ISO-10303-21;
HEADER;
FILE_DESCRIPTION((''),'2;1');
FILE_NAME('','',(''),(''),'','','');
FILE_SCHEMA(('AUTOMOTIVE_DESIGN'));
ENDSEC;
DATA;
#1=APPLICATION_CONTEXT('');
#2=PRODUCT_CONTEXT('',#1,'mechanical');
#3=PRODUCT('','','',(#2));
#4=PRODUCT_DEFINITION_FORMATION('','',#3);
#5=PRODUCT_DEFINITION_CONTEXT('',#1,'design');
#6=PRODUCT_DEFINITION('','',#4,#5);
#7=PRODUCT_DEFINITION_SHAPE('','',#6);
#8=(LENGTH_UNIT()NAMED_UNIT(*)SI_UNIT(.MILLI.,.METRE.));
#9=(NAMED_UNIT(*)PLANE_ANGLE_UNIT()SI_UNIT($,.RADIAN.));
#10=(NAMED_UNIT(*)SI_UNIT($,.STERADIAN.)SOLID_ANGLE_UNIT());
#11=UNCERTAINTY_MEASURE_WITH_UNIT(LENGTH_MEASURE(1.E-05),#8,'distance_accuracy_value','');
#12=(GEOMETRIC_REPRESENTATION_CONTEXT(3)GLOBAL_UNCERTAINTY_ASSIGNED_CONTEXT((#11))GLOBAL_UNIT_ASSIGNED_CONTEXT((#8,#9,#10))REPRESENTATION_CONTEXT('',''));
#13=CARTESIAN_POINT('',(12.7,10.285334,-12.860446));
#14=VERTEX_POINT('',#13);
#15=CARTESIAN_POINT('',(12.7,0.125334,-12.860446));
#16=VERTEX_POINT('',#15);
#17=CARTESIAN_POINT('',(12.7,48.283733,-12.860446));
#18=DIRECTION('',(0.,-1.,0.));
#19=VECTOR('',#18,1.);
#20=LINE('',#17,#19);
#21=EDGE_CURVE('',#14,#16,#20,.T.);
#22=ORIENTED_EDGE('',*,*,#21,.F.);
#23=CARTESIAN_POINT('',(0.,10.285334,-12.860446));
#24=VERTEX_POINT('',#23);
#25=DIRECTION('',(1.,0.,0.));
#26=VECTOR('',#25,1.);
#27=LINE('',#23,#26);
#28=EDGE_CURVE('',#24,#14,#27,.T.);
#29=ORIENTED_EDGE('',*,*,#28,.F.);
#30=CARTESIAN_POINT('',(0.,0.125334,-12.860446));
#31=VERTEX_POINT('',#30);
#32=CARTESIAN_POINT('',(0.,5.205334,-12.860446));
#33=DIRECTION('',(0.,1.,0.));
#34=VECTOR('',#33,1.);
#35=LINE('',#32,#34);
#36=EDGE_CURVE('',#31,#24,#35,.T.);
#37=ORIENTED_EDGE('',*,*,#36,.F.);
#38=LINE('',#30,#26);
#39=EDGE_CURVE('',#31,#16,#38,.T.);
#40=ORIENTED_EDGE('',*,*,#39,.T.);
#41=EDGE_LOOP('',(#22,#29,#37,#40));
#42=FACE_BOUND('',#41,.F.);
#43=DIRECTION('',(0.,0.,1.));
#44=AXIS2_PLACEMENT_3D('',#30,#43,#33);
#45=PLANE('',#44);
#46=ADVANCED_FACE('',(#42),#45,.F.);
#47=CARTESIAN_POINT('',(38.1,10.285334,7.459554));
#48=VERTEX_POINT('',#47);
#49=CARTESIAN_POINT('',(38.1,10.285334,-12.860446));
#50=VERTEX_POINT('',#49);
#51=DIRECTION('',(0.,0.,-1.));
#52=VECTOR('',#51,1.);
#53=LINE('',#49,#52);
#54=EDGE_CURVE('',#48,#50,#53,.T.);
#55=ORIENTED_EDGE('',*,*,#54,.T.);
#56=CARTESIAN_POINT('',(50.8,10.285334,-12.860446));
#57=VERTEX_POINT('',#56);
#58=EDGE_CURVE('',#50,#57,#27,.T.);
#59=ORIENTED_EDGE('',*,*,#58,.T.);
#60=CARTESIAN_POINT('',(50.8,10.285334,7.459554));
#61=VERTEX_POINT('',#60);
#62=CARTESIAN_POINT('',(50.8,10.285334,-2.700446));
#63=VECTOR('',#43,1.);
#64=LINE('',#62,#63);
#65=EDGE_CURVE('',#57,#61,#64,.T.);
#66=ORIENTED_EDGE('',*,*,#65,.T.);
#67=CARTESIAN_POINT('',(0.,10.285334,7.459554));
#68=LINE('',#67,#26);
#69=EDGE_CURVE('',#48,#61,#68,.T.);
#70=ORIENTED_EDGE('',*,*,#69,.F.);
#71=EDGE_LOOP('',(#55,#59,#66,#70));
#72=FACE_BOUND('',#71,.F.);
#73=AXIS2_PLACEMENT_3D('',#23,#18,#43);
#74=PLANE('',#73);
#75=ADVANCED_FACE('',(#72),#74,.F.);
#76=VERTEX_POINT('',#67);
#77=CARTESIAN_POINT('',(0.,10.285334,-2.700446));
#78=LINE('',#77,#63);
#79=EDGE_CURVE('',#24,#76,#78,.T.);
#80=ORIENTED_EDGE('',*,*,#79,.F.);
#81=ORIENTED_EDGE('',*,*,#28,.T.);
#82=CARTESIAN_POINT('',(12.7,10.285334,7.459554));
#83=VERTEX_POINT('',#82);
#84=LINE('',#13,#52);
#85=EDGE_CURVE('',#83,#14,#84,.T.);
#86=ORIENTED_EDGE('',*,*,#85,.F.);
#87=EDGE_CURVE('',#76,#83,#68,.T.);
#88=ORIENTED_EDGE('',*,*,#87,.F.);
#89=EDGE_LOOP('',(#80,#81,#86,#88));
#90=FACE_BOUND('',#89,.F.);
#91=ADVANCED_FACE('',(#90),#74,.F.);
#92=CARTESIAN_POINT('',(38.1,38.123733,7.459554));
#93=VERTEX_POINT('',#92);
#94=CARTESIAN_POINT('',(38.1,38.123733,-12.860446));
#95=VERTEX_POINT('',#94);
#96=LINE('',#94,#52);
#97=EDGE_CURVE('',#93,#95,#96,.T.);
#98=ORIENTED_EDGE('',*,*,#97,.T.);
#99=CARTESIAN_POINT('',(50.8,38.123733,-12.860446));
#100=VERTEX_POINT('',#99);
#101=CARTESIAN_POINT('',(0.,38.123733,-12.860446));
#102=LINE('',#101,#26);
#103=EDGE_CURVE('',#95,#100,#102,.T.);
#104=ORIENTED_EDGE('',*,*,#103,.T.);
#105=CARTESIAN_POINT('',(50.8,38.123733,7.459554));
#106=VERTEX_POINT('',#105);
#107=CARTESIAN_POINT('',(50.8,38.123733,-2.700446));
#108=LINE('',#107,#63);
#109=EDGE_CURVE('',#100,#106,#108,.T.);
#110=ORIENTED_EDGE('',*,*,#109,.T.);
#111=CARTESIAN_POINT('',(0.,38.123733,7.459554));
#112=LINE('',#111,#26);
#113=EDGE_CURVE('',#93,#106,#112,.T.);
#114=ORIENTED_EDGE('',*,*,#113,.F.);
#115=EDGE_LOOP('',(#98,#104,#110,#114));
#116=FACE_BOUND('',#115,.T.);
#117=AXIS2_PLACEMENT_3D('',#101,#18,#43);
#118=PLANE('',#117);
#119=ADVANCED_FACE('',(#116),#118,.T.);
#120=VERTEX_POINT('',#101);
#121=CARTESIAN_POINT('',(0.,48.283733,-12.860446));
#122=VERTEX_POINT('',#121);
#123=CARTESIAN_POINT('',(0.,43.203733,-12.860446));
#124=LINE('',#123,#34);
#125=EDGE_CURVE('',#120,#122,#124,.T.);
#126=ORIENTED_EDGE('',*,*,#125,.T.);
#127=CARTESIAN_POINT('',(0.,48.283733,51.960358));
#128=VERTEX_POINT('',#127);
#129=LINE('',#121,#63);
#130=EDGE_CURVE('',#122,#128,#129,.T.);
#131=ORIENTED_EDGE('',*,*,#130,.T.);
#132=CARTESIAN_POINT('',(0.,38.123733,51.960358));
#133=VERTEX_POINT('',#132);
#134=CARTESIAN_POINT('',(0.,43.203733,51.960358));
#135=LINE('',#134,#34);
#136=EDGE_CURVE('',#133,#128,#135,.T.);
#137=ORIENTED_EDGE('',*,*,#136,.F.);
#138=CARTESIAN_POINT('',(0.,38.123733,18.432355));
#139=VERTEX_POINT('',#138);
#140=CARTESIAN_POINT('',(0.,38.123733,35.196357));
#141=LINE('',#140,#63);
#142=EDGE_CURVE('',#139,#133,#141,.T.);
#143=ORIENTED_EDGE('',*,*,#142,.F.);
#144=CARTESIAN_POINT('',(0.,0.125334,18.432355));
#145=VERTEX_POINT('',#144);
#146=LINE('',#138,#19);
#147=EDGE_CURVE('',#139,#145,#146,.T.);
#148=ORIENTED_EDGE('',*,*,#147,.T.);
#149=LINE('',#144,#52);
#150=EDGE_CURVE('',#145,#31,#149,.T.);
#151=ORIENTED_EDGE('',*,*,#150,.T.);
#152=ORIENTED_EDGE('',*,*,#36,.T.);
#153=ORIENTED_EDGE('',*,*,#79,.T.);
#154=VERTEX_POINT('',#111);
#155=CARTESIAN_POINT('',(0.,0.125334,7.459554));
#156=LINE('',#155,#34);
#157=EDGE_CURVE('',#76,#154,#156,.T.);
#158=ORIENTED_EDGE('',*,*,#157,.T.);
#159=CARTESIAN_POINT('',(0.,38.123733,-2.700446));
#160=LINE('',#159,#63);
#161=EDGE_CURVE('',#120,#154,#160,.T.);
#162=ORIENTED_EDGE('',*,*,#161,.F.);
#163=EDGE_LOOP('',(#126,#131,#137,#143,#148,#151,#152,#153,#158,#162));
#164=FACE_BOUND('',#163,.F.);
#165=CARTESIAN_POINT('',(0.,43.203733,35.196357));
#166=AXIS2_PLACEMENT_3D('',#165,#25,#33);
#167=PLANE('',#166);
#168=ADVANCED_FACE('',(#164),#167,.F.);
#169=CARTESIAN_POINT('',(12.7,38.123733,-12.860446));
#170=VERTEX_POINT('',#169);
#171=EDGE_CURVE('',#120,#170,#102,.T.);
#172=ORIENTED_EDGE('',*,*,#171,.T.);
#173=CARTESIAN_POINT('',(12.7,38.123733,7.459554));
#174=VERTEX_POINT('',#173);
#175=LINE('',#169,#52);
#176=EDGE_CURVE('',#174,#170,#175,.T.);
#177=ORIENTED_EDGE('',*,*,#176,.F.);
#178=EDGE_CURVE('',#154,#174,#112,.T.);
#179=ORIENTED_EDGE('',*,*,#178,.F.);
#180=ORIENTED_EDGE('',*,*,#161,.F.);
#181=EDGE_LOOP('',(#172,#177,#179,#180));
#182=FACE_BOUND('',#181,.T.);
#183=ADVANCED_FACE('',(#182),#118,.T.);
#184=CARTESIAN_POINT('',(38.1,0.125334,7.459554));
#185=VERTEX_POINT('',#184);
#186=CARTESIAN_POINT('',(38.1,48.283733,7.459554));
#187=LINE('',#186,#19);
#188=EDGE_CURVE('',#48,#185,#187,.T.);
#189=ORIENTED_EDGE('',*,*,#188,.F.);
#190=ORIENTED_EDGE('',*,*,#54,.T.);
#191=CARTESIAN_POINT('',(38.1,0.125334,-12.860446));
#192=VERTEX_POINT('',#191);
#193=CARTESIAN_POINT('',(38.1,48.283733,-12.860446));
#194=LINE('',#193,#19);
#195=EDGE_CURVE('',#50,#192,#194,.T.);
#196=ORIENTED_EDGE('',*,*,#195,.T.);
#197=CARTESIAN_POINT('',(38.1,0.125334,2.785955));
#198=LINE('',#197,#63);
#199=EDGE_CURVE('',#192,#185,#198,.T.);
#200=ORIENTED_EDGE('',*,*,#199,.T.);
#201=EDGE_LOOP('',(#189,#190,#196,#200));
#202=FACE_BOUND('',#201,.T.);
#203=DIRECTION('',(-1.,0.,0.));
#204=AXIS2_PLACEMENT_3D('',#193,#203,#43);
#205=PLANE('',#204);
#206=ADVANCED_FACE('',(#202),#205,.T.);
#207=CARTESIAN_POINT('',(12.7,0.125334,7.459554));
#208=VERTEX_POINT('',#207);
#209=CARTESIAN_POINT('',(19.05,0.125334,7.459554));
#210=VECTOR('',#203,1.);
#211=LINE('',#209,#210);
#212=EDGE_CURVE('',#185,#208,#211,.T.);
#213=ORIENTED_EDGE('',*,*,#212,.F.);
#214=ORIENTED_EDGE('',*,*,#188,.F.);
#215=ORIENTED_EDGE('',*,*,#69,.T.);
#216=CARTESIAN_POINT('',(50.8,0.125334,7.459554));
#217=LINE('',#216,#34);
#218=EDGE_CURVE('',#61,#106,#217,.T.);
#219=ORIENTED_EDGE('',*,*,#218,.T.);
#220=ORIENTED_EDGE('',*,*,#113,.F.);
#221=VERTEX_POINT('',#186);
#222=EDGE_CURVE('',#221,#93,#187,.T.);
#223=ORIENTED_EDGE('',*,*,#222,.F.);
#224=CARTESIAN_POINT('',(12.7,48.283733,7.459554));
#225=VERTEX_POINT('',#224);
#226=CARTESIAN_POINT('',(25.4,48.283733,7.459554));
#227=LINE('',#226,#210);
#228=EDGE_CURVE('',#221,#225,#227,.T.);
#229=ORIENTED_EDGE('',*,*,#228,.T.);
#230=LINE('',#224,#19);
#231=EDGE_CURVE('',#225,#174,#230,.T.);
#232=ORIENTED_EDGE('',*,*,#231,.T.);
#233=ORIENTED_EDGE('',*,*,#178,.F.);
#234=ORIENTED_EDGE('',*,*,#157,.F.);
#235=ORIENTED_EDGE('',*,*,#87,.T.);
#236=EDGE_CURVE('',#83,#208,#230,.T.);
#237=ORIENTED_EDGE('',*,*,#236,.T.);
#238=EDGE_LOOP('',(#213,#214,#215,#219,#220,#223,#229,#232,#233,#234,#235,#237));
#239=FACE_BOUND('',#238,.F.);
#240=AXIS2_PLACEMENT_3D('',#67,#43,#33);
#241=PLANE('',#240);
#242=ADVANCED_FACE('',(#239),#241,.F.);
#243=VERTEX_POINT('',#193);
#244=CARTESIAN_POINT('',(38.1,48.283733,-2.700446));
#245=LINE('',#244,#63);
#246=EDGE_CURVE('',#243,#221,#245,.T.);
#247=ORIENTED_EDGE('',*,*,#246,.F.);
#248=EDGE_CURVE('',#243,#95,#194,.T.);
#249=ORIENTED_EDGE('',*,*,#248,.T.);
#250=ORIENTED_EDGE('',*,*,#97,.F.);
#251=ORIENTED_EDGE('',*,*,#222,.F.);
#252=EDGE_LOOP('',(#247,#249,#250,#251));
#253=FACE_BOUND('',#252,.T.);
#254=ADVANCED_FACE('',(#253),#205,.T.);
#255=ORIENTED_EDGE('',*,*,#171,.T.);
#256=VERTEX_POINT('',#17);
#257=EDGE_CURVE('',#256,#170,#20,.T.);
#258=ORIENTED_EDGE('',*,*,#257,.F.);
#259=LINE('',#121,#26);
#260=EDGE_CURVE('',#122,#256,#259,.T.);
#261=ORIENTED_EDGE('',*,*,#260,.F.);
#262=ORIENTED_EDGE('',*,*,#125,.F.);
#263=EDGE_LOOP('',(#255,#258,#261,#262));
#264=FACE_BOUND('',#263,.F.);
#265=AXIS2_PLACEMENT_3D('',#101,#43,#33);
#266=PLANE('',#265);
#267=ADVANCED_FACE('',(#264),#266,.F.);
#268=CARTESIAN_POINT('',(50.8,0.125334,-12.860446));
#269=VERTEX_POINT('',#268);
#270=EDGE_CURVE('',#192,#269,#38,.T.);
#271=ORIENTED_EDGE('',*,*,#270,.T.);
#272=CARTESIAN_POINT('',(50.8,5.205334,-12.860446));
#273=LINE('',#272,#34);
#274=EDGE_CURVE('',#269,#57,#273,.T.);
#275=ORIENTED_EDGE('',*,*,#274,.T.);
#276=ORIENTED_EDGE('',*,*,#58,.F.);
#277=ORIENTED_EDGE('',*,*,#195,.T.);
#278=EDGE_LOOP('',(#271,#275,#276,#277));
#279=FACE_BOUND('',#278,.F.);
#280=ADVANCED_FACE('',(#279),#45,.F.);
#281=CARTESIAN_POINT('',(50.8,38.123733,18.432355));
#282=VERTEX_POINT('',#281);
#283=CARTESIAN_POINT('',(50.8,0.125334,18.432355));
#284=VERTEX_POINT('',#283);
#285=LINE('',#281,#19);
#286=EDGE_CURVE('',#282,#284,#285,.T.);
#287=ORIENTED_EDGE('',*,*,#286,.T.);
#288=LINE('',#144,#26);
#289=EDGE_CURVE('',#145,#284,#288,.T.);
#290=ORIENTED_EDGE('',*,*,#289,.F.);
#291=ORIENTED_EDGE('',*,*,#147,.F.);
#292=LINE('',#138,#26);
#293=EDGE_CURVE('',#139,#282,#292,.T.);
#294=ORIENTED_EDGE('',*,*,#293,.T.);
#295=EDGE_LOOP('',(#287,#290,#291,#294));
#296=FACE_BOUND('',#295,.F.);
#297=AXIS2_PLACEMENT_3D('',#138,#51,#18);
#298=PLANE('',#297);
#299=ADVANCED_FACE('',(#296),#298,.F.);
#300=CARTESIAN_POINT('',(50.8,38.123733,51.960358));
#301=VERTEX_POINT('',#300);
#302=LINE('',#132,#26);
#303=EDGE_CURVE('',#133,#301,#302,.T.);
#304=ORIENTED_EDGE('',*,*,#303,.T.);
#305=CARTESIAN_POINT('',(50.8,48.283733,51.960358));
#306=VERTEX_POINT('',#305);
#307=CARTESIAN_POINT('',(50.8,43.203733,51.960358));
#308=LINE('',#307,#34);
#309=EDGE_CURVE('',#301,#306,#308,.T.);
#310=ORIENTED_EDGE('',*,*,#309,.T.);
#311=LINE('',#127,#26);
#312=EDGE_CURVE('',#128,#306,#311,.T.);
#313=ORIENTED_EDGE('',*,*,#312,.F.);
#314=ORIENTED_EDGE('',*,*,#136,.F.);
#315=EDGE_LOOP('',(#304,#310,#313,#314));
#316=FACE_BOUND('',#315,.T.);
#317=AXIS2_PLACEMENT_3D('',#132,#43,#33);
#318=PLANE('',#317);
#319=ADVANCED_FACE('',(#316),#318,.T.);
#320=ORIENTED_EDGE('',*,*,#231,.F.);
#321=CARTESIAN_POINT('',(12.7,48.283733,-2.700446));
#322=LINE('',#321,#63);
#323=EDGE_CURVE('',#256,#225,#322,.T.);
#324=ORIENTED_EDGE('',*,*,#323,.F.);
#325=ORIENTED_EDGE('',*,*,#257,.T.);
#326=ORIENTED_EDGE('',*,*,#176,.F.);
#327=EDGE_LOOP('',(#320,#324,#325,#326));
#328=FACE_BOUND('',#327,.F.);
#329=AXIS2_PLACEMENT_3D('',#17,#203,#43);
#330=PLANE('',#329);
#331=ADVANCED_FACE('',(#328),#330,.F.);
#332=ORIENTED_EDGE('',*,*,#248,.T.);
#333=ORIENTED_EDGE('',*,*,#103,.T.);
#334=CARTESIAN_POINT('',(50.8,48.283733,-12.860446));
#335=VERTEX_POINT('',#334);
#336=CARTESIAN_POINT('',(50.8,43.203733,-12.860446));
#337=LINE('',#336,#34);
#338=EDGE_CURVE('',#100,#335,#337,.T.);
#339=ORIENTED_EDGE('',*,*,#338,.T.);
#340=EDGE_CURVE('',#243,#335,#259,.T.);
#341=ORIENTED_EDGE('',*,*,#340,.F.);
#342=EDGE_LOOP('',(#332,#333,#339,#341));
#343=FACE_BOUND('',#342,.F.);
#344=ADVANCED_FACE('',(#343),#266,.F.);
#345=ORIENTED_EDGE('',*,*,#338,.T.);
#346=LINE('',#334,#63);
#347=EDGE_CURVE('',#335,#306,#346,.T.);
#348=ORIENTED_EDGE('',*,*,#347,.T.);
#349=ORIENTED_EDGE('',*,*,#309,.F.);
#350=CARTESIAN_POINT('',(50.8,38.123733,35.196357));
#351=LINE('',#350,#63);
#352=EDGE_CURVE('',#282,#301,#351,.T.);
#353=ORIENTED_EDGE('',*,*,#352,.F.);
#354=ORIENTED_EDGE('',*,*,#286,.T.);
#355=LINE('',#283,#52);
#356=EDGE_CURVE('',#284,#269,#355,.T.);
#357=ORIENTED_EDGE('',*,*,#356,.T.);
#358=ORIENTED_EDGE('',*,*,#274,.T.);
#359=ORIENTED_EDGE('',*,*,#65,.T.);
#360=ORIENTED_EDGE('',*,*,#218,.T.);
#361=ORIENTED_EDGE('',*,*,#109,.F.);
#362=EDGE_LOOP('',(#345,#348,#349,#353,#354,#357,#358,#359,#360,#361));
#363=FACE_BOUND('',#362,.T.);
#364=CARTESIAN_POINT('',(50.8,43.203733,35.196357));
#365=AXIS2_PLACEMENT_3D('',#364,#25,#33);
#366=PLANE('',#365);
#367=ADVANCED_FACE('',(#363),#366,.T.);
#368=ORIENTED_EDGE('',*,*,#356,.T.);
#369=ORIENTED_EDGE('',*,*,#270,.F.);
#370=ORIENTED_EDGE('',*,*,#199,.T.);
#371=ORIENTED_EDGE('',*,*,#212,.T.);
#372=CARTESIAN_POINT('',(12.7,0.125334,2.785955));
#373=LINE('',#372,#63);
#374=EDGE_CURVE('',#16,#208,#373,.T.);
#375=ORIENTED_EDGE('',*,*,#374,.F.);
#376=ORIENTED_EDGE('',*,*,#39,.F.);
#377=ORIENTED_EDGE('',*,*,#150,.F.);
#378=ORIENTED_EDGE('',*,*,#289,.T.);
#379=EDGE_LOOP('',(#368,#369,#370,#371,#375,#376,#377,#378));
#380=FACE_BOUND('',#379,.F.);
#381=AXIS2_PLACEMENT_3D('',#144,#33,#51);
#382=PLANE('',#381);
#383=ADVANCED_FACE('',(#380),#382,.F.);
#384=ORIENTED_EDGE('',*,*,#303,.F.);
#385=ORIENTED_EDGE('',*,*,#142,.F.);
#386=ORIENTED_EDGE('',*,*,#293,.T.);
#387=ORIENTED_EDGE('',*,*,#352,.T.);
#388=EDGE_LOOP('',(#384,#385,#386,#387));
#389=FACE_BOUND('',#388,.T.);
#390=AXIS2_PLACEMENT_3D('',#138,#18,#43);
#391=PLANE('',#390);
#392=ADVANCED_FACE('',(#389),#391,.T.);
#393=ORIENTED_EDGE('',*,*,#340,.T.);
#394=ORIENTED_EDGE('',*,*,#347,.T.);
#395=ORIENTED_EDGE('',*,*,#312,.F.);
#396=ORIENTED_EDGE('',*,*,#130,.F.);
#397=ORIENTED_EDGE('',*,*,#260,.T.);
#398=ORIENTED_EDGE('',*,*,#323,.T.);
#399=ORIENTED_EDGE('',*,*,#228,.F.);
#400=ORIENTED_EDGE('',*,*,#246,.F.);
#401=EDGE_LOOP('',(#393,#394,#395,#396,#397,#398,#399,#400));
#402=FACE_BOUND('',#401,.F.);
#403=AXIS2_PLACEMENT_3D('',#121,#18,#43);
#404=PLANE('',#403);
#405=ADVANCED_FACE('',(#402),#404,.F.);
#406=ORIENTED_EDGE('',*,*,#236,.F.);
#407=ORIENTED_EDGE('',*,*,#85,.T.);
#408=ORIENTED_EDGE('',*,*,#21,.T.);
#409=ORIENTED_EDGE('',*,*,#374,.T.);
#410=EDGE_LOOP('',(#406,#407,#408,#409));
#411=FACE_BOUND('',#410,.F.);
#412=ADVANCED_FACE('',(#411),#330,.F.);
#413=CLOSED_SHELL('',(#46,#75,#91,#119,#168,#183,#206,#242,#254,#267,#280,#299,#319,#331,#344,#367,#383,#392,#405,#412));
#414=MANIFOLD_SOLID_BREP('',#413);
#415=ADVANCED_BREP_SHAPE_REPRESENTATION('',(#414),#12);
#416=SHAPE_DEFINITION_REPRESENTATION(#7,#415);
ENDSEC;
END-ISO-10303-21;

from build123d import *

# Parameters (mm, degrees)
F0_W     = 10.16
F0_H     = 33.5280026136
F0_H_2   = 20.32
F1_DEPTH = 50.8
F2_W     = 25.4
F2_H     = 20.32
F3_DEPTH = 73.914


with BuildPart() as f1:
    # F0 (on Right) → F1 (new body)
    with BuildSketch(Plane.YZ):
        with Locations((43.203733348, 35.1963567068)):
            Rectangle(F0_W, F0_H)
        Polygon((48.283733348, 7.4595541455), (48.283733348, 18.4323554), (38.123733348, 18.4323554), (0.1253340275, 18.4323554), (0.1253340275, 7.4595541455), (10.2853340275, 7.4595541455), (38.123733348, 7.4595541455), align=None)
        with Locations((43.203733348, -2.7004458545)):
            Rectangle(F0_W, F0_H_2)
        with Locations((5.2053340275, -2.7004458545)):
            Rectangle(F0_W, F0_H_2)
    extrude(amount=F1_DEPTH)

    # F2 (on face) → F3 (cut)
    with BuildSketch(Plane(origin=(0, 48.283733348, 0), x_dir=(-1, 0, 0), z_dir=(0, 1, 0))):
        with Locations((-25.4, -2.7004458545)):
            Rectangle(F2_W, F2_H)
    extrude(amount=-F3_DEPTH, mode=Mode.SUBTRACT)


solid = f1.part
